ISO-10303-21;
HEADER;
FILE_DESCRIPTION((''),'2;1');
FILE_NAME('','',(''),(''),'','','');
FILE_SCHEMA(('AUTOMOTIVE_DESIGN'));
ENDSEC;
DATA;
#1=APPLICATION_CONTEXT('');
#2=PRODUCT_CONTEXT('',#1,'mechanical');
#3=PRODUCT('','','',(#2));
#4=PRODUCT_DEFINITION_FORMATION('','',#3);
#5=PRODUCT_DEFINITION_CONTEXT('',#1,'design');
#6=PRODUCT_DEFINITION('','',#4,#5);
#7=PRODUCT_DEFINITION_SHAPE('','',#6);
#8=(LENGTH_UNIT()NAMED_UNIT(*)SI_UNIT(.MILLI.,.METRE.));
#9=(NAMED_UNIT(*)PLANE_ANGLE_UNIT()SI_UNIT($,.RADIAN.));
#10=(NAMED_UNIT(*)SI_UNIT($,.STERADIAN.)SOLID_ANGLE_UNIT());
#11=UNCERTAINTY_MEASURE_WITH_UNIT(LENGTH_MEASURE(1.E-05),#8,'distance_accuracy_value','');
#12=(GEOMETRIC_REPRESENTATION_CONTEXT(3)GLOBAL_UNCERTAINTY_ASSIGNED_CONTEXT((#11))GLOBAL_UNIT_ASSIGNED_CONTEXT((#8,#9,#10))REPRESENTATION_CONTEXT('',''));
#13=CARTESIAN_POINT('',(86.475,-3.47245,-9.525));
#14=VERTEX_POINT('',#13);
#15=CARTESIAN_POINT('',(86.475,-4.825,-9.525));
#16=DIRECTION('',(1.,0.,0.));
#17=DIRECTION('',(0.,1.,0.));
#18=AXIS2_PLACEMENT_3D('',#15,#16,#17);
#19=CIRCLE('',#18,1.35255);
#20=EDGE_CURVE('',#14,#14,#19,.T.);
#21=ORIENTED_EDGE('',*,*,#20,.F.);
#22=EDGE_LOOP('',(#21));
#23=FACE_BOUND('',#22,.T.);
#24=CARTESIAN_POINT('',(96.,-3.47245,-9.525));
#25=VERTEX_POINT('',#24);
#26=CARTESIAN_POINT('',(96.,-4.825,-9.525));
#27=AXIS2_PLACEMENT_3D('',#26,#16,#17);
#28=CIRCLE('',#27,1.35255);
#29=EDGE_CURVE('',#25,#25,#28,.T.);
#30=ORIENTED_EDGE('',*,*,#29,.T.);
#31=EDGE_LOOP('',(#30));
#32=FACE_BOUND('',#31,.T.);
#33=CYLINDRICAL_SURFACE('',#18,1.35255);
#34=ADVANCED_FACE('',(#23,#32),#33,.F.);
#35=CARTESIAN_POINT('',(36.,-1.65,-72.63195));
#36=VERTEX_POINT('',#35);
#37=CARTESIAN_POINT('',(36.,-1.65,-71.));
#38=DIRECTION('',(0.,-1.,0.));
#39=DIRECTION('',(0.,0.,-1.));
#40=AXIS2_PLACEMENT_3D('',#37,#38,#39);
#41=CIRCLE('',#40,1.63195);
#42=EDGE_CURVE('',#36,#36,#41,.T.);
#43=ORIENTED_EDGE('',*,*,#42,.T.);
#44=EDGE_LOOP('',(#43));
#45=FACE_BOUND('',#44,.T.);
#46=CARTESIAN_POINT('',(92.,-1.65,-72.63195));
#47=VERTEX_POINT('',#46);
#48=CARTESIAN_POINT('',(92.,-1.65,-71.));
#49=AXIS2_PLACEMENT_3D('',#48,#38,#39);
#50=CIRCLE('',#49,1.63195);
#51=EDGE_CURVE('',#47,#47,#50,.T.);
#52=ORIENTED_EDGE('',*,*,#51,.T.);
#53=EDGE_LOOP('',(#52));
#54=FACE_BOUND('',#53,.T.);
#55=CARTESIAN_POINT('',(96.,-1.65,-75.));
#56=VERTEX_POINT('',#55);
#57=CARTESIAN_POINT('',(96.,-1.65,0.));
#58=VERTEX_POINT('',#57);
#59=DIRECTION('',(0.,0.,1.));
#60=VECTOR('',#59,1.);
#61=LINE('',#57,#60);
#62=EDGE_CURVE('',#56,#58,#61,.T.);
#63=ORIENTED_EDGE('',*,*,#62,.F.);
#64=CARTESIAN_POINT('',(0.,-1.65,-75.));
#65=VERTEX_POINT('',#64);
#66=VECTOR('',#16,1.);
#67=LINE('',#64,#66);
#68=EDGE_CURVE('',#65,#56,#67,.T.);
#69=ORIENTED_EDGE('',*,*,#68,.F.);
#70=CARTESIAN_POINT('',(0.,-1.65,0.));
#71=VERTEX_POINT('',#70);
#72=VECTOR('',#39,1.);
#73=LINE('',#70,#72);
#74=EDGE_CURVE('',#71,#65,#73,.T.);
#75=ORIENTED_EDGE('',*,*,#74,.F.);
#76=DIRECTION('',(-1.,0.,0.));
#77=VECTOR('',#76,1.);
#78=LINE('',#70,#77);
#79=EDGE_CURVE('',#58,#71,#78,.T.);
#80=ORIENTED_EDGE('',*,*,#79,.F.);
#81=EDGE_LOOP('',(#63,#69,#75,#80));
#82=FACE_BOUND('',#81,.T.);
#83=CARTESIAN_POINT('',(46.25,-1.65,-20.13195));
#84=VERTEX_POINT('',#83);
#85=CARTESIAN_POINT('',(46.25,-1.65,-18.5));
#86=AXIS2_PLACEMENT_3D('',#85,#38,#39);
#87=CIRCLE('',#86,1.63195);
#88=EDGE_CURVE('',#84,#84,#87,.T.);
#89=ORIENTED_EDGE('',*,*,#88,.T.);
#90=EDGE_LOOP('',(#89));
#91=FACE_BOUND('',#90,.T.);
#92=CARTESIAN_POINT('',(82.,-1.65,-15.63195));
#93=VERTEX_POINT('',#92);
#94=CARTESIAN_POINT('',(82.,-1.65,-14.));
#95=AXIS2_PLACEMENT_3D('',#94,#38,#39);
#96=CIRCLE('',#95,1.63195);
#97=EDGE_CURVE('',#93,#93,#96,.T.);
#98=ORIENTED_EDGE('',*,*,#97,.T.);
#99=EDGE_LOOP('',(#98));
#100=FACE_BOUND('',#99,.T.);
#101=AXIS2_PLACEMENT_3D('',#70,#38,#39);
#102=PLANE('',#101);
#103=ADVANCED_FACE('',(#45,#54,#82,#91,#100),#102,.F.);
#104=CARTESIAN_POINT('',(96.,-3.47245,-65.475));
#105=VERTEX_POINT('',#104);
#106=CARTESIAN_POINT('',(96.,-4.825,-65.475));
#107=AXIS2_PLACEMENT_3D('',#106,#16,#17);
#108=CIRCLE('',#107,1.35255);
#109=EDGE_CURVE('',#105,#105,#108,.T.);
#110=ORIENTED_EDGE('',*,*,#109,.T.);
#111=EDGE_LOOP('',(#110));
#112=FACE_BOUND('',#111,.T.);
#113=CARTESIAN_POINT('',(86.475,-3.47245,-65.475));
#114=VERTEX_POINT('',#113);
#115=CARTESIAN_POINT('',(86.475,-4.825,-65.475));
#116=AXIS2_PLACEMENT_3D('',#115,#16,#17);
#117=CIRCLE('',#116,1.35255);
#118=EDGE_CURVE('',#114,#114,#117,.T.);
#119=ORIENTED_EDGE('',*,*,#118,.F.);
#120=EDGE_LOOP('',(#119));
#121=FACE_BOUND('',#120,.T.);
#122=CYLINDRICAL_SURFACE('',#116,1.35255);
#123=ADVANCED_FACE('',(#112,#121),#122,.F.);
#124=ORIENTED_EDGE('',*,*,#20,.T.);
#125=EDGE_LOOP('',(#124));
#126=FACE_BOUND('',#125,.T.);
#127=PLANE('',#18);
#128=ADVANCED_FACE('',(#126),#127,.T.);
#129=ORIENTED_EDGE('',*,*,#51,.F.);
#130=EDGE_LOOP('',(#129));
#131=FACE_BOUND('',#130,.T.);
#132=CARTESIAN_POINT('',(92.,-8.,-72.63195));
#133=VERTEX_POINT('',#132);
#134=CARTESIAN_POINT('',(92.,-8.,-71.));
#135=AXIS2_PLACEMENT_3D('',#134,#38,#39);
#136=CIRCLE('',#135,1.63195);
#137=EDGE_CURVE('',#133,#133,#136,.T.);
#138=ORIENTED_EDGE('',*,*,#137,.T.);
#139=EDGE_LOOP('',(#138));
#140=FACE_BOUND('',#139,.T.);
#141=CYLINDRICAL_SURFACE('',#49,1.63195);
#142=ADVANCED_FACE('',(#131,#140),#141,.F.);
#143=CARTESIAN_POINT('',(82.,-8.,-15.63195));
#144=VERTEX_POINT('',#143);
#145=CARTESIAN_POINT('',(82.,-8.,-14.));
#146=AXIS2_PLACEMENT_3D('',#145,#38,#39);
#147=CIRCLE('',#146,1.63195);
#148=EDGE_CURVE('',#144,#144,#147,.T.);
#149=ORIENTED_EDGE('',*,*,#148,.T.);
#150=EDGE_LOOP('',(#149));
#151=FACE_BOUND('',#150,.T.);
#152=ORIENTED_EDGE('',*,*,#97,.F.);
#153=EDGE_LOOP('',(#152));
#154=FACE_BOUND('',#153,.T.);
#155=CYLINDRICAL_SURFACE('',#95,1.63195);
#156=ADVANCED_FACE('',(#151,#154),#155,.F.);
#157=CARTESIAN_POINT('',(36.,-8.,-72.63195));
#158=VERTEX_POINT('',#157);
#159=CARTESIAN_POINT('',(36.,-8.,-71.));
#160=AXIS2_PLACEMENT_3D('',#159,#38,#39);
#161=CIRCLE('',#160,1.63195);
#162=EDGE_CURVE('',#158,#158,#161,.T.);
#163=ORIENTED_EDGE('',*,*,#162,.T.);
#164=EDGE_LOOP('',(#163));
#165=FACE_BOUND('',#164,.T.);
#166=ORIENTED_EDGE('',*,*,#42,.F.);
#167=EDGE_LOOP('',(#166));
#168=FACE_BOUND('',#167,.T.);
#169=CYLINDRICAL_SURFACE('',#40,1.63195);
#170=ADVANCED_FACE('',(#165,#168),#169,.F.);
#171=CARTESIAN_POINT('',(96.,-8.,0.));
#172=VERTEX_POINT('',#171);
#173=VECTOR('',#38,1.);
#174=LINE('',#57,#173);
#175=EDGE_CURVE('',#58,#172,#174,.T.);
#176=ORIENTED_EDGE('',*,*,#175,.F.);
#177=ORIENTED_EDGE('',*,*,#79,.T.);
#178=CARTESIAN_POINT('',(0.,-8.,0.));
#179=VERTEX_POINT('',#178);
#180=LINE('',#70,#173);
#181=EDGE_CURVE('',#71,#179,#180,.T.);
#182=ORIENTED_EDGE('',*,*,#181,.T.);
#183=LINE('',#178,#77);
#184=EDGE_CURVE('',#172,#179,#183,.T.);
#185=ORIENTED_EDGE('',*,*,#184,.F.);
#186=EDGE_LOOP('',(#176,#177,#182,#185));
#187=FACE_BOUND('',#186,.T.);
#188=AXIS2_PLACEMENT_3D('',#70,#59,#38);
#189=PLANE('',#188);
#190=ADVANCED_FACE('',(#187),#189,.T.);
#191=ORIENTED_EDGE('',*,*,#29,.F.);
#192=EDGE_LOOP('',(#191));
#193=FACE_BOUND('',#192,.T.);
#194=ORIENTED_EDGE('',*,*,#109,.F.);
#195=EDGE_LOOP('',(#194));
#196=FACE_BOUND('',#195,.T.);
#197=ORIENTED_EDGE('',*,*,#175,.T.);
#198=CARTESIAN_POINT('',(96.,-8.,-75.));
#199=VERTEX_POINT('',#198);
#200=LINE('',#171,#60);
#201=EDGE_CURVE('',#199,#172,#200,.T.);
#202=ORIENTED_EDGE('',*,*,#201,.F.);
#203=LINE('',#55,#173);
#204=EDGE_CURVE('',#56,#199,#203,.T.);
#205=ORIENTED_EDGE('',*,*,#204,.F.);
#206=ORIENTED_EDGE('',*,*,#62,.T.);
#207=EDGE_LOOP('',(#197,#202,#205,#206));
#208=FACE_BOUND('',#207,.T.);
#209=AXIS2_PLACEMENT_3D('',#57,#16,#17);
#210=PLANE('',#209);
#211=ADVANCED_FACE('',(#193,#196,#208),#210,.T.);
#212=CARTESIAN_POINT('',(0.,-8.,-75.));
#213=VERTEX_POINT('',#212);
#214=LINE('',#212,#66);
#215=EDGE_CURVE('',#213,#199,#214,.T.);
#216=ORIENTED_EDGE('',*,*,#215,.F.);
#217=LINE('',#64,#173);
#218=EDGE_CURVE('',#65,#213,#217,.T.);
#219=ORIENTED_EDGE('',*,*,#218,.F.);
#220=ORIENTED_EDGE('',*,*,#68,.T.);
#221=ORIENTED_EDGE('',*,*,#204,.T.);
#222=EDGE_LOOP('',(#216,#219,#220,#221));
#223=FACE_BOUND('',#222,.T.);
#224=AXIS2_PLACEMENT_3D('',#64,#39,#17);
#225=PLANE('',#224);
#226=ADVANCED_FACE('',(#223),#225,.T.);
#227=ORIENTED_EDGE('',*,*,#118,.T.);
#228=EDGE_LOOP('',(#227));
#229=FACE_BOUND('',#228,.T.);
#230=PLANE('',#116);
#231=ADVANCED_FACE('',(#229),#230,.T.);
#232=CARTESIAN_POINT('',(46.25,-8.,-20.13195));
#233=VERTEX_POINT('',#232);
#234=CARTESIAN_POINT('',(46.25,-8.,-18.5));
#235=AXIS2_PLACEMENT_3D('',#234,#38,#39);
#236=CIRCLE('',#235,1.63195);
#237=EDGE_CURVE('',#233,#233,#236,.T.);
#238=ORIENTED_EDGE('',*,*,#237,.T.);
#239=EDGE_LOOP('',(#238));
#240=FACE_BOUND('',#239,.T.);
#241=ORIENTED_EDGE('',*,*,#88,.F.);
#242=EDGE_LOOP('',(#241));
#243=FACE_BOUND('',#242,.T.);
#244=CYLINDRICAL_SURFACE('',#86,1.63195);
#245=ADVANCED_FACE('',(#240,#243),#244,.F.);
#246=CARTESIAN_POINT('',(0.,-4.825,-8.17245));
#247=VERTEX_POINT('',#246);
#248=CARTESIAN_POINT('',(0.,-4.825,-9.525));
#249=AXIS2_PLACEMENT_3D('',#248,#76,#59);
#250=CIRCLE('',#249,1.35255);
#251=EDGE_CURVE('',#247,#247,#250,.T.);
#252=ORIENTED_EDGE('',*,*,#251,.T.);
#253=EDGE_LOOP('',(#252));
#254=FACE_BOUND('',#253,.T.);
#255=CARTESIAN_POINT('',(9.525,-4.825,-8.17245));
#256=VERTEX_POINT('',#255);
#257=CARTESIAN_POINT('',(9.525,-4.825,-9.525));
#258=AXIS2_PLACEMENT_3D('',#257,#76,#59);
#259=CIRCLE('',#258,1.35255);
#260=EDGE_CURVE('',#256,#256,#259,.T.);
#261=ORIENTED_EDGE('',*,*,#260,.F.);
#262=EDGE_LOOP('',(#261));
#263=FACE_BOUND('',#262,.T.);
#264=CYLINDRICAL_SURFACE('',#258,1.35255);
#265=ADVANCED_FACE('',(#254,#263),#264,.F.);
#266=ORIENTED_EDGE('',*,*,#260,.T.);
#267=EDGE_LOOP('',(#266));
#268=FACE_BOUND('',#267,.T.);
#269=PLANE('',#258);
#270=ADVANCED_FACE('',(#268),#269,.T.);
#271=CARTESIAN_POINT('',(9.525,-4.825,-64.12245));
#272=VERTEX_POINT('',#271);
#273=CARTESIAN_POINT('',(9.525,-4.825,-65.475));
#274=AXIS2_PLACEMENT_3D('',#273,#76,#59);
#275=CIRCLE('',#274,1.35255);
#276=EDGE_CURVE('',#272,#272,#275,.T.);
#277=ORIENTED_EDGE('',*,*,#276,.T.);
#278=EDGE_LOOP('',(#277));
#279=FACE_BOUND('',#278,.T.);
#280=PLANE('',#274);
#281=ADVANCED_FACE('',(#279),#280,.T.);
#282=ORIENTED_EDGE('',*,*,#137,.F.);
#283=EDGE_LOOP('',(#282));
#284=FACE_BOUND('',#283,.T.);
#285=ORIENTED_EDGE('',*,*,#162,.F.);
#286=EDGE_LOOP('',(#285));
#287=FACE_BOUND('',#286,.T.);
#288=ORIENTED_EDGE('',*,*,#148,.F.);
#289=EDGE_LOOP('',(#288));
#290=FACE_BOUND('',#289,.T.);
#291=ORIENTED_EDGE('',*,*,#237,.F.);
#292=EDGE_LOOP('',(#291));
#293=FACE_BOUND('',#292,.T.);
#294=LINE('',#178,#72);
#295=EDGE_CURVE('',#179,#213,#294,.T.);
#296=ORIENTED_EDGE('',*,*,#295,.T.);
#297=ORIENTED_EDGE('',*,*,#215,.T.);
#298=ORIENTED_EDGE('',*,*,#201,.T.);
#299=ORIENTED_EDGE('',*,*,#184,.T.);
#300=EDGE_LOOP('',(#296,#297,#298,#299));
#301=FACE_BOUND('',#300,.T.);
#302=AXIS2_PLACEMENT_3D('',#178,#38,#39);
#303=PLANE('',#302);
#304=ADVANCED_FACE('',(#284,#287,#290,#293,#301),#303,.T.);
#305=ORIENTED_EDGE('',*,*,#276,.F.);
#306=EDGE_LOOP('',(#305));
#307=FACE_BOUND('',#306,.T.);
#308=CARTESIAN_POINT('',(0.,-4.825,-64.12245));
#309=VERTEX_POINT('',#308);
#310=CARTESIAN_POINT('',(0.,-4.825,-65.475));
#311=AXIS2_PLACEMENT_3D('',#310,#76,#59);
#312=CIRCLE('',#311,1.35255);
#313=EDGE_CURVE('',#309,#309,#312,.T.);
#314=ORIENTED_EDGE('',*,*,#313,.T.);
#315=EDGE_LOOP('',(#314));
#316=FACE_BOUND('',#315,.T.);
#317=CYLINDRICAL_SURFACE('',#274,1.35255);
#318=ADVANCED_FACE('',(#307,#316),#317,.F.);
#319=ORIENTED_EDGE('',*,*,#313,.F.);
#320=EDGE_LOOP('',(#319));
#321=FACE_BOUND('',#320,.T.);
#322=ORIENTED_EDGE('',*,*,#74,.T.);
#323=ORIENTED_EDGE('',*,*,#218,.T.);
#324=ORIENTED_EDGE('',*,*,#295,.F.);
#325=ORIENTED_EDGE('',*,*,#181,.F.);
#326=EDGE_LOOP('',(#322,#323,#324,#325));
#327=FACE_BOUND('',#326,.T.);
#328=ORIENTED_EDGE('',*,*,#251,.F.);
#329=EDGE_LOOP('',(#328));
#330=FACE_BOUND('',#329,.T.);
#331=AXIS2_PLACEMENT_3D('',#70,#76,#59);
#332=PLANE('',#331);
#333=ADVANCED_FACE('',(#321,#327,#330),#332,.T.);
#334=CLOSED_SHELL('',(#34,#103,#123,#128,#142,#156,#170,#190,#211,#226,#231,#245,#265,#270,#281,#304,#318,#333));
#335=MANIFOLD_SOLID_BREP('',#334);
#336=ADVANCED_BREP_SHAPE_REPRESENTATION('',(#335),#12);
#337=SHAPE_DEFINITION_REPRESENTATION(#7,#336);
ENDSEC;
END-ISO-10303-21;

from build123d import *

# Parameters (mm, degrees)
SKETCH1_W           = 96
SKETCH1_H           = 75
BOSS_EXTRUDE1_DEPTH = 6.35
SKETCH2_R           = 1.63195
CUT_EXTRUDE1_DEPTH  = 6.35
SKETCH3_R           = 1.35255
CUT_EXTRUDE2_DEPTH  = 9.525
SKETCH4_R           = 1.35255
CUT_EXTRUDE3_DEPTH  = 9.525


with BuildPart() as part:
    # Sketch1 → Boss-Extrude1 (new body)
    with BuildSketch(Plane(origin=(0, -8, 0), x_dir=(-1, 0, 0), z_dir=(0, -1, 0))):
        with Locations((-48, 37.5)):
            Rectangle(SKETCH1_W, SKETCH1_H)
    extrude(amount=-BOSS_EXTRUDE1_DEPTH)

    # Sketch2 → Cut-Extrude1 (cut)
    with BuildSketch(Plane.XZ.offset(8)):
        with Locations((36, -71)):
            Circle(SKETCH2_R)
        with Locations((46.25, -18.5)):
            Circle(SKETCH2_R)
        with Locations((82, -14)):
            Circle(SKETCH2_R)
        with Locations((92, -71)):
            Circle(SKETCH2_R)
    extrude(amount=-CUT_EXTRUDE1_DEPTH, mode=Mode.SUBTRACT)

    # Sketch3 → Cut-Extrude2 (cut)
    with BuildSketch(Plane.ZY):
        with Locations((-65.475, -4.825)):
            Circle(SKETCH3_R)
        with Locations((-9.525, -4.825)):
            Circle(SKETCH3_R)
    extrude(amount=-CUT_EXTRUDE2_DEPTH, mode=Mode.SUBTRACT)

    # Sketch4 → Cut-Extrude3 (cut)
    with BuildSketch(Plane(origin=(96, 0, 0), x_dir=(0, 0, -1), z_dir=(1, 0, 0))):
        with Locations((65.475, -4.825)):
            Circle(SKETCH4_R)
        with Locations((9.525, -4.825)):
            Circle(SKETCH4_R)
    extrude(amount=-CUT_EXTRUDE3_DEPTH, mode=Mode.SUBTRACT)


solid = part.part
